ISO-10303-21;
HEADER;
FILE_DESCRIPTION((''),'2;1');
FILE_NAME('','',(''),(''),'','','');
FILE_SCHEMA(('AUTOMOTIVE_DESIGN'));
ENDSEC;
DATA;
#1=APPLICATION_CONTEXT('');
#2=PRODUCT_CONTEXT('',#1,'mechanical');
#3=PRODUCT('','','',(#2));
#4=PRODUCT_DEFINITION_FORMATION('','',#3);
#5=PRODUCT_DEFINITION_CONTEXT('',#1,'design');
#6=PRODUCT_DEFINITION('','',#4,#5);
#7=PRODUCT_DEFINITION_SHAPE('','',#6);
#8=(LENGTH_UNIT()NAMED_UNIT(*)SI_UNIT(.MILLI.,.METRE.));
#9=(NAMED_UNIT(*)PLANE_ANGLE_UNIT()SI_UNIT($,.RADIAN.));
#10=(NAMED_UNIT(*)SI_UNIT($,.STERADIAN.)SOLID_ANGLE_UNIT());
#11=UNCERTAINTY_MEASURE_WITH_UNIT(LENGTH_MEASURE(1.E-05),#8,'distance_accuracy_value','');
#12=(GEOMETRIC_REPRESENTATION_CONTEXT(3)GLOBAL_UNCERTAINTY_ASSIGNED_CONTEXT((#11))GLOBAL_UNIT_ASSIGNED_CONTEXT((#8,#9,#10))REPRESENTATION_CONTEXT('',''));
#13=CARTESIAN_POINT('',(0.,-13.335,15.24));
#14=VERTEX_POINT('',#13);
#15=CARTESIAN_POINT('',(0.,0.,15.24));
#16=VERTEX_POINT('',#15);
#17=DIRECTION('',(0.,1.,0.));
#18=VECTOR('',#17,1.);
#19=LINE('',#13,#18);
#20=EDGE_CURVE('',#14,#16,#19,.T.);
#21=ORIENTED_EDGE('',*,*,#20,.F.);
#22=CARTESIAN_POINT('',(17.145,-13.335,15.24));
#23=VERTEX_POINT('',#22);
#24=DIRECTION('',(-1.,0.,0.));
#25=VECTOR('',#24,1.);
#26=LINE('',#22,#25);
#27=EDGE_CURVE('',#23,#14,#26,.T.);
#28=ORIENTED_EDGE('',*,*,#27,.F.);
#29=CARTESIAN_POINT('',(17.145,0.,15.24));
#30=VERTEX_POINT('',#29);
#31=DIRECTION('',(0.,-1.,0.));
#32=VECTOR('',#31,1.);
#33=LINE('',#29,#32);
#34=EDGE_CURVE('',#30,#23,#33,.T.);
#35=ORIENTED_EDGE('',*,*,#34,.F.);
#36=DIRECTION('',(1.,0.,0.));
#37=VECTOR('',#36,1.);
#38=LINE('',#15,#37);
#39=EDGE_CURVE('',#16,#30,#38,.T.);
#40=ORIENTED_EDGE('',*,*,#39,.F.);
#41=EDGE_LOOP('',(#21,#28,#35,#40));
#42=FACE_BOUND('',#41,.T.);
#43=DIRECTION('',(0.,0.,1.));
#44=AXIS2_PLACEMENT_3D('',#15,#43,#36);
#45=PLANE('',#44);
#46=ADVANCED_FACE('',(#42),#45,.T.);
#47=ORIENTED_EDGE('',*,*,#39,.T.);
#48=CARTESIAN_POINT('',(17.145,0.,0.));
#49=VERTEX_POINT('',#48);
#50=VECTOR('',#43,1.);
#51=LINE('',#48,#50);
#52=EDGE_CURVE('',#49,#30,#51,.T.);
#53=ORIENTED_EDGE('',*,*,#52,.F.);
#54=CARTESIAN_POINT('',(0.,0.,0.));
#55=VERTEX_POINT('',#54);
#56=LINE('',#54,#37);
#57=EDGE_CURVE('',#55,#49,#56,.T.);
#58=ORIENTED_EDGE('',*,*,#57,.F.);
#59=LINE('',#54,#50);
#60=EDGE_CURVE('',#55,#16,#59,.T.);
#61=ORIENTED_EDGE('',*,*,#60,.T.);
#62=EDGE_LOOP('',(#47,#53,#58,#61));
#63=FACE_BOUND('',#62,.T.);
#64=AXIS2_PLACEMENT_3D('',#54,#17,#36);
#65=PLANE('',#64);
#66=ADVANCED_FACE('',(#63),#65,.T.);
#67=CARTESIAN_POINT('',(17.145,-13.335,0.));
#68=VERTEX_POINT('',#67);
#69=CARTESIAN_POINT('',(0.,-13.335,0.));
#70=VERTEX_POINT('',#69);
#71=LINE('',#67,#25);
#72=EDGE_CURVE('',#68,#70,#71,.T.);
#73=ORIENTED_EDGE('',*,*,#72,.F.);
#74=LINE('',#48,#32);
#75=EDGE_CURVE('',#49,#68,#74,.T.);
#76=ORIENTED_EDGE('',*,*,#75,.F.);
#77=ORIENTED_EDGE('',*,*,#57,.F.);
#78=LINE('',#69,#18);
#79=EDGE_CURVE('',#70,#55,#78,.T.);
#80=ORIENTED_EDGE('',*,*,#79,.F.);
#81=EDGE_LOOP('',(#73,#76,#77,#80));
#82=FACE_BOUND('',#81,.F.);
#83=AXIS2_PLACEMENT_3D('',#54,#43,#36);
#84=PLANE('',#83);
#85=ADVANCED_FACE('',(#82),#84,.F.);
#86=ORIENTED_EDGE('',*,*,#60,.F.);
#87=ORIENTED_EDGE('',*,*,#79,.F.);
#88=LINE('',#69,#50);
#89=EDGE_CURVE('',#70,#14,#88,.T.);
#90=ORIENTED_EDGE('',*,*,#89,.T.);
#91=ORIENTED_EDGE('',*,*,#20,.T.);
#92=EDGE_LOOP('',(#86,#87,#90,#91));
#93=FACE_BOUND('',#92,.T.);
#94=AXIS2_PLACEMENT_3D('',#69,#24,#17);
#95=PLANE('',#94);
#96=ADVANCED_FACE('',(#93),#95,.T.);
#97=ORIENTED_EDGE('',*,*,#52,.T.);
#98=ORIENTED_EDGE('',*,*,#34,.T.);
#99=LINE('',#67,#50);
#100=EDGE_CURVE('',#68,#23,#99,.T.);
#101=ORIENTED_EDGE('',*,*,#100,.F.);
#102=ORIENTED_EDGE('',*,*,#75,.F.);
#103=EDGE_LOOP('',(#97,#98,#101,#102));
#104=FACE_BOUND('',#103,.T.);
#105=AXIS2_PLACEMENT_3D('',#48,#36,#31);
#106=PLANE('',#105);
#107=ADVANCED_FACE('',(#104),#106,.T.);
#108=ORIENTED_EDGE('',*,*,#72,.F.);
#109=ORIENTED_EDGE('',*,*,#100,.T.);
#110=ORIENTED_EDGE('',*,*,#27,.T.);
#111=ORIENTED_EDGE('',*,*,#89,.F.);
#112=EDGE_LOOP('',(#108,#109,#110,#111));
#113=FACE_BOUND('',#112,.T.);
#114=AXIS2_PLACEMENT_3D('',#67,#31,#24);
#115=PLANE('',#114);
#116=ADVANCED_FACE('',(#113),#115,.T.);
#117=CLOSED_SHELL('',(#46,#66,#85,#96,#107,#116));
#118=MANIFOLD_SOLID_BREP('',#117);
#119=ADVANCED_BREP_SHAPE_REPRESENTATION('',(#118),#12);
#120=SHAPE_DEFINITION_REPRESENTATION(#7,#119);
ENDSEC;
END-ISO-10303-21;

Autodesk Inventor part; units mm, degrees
ref_plane "YZ Plane" through (0, 0, 0) normal (1, 0, 0) x (0, 1, 0)
ref_plane "XZ Plane" through (0, 0, 0) normal (0, 1, 0) x (-1, 0, 0)
ref_plane "XY Plane" through (0, 0, 0) normal (0, 0, 1) x (1, 0, 0)
sketch "Sketch1" plane through (0, 0, 0) normal (0, 0, 1) x (1, 0, 0)
  line L0 (0, 0) -> (17.145, 0)
  line L1 (17.145, 0) -> (17.145, -13.335)
  line L2 (17.145, -13.335) -> (0, -13.335)
  line L3 (0, -13.335) -> (0, 0)
  dimension "d0" = 17.145
  dimension "d1" = 13.335
extrude "Extrusion1" add sketch "Sketch1" along normal blind 15.24
properties part number "PiUSB" material "Stainless Steel"
